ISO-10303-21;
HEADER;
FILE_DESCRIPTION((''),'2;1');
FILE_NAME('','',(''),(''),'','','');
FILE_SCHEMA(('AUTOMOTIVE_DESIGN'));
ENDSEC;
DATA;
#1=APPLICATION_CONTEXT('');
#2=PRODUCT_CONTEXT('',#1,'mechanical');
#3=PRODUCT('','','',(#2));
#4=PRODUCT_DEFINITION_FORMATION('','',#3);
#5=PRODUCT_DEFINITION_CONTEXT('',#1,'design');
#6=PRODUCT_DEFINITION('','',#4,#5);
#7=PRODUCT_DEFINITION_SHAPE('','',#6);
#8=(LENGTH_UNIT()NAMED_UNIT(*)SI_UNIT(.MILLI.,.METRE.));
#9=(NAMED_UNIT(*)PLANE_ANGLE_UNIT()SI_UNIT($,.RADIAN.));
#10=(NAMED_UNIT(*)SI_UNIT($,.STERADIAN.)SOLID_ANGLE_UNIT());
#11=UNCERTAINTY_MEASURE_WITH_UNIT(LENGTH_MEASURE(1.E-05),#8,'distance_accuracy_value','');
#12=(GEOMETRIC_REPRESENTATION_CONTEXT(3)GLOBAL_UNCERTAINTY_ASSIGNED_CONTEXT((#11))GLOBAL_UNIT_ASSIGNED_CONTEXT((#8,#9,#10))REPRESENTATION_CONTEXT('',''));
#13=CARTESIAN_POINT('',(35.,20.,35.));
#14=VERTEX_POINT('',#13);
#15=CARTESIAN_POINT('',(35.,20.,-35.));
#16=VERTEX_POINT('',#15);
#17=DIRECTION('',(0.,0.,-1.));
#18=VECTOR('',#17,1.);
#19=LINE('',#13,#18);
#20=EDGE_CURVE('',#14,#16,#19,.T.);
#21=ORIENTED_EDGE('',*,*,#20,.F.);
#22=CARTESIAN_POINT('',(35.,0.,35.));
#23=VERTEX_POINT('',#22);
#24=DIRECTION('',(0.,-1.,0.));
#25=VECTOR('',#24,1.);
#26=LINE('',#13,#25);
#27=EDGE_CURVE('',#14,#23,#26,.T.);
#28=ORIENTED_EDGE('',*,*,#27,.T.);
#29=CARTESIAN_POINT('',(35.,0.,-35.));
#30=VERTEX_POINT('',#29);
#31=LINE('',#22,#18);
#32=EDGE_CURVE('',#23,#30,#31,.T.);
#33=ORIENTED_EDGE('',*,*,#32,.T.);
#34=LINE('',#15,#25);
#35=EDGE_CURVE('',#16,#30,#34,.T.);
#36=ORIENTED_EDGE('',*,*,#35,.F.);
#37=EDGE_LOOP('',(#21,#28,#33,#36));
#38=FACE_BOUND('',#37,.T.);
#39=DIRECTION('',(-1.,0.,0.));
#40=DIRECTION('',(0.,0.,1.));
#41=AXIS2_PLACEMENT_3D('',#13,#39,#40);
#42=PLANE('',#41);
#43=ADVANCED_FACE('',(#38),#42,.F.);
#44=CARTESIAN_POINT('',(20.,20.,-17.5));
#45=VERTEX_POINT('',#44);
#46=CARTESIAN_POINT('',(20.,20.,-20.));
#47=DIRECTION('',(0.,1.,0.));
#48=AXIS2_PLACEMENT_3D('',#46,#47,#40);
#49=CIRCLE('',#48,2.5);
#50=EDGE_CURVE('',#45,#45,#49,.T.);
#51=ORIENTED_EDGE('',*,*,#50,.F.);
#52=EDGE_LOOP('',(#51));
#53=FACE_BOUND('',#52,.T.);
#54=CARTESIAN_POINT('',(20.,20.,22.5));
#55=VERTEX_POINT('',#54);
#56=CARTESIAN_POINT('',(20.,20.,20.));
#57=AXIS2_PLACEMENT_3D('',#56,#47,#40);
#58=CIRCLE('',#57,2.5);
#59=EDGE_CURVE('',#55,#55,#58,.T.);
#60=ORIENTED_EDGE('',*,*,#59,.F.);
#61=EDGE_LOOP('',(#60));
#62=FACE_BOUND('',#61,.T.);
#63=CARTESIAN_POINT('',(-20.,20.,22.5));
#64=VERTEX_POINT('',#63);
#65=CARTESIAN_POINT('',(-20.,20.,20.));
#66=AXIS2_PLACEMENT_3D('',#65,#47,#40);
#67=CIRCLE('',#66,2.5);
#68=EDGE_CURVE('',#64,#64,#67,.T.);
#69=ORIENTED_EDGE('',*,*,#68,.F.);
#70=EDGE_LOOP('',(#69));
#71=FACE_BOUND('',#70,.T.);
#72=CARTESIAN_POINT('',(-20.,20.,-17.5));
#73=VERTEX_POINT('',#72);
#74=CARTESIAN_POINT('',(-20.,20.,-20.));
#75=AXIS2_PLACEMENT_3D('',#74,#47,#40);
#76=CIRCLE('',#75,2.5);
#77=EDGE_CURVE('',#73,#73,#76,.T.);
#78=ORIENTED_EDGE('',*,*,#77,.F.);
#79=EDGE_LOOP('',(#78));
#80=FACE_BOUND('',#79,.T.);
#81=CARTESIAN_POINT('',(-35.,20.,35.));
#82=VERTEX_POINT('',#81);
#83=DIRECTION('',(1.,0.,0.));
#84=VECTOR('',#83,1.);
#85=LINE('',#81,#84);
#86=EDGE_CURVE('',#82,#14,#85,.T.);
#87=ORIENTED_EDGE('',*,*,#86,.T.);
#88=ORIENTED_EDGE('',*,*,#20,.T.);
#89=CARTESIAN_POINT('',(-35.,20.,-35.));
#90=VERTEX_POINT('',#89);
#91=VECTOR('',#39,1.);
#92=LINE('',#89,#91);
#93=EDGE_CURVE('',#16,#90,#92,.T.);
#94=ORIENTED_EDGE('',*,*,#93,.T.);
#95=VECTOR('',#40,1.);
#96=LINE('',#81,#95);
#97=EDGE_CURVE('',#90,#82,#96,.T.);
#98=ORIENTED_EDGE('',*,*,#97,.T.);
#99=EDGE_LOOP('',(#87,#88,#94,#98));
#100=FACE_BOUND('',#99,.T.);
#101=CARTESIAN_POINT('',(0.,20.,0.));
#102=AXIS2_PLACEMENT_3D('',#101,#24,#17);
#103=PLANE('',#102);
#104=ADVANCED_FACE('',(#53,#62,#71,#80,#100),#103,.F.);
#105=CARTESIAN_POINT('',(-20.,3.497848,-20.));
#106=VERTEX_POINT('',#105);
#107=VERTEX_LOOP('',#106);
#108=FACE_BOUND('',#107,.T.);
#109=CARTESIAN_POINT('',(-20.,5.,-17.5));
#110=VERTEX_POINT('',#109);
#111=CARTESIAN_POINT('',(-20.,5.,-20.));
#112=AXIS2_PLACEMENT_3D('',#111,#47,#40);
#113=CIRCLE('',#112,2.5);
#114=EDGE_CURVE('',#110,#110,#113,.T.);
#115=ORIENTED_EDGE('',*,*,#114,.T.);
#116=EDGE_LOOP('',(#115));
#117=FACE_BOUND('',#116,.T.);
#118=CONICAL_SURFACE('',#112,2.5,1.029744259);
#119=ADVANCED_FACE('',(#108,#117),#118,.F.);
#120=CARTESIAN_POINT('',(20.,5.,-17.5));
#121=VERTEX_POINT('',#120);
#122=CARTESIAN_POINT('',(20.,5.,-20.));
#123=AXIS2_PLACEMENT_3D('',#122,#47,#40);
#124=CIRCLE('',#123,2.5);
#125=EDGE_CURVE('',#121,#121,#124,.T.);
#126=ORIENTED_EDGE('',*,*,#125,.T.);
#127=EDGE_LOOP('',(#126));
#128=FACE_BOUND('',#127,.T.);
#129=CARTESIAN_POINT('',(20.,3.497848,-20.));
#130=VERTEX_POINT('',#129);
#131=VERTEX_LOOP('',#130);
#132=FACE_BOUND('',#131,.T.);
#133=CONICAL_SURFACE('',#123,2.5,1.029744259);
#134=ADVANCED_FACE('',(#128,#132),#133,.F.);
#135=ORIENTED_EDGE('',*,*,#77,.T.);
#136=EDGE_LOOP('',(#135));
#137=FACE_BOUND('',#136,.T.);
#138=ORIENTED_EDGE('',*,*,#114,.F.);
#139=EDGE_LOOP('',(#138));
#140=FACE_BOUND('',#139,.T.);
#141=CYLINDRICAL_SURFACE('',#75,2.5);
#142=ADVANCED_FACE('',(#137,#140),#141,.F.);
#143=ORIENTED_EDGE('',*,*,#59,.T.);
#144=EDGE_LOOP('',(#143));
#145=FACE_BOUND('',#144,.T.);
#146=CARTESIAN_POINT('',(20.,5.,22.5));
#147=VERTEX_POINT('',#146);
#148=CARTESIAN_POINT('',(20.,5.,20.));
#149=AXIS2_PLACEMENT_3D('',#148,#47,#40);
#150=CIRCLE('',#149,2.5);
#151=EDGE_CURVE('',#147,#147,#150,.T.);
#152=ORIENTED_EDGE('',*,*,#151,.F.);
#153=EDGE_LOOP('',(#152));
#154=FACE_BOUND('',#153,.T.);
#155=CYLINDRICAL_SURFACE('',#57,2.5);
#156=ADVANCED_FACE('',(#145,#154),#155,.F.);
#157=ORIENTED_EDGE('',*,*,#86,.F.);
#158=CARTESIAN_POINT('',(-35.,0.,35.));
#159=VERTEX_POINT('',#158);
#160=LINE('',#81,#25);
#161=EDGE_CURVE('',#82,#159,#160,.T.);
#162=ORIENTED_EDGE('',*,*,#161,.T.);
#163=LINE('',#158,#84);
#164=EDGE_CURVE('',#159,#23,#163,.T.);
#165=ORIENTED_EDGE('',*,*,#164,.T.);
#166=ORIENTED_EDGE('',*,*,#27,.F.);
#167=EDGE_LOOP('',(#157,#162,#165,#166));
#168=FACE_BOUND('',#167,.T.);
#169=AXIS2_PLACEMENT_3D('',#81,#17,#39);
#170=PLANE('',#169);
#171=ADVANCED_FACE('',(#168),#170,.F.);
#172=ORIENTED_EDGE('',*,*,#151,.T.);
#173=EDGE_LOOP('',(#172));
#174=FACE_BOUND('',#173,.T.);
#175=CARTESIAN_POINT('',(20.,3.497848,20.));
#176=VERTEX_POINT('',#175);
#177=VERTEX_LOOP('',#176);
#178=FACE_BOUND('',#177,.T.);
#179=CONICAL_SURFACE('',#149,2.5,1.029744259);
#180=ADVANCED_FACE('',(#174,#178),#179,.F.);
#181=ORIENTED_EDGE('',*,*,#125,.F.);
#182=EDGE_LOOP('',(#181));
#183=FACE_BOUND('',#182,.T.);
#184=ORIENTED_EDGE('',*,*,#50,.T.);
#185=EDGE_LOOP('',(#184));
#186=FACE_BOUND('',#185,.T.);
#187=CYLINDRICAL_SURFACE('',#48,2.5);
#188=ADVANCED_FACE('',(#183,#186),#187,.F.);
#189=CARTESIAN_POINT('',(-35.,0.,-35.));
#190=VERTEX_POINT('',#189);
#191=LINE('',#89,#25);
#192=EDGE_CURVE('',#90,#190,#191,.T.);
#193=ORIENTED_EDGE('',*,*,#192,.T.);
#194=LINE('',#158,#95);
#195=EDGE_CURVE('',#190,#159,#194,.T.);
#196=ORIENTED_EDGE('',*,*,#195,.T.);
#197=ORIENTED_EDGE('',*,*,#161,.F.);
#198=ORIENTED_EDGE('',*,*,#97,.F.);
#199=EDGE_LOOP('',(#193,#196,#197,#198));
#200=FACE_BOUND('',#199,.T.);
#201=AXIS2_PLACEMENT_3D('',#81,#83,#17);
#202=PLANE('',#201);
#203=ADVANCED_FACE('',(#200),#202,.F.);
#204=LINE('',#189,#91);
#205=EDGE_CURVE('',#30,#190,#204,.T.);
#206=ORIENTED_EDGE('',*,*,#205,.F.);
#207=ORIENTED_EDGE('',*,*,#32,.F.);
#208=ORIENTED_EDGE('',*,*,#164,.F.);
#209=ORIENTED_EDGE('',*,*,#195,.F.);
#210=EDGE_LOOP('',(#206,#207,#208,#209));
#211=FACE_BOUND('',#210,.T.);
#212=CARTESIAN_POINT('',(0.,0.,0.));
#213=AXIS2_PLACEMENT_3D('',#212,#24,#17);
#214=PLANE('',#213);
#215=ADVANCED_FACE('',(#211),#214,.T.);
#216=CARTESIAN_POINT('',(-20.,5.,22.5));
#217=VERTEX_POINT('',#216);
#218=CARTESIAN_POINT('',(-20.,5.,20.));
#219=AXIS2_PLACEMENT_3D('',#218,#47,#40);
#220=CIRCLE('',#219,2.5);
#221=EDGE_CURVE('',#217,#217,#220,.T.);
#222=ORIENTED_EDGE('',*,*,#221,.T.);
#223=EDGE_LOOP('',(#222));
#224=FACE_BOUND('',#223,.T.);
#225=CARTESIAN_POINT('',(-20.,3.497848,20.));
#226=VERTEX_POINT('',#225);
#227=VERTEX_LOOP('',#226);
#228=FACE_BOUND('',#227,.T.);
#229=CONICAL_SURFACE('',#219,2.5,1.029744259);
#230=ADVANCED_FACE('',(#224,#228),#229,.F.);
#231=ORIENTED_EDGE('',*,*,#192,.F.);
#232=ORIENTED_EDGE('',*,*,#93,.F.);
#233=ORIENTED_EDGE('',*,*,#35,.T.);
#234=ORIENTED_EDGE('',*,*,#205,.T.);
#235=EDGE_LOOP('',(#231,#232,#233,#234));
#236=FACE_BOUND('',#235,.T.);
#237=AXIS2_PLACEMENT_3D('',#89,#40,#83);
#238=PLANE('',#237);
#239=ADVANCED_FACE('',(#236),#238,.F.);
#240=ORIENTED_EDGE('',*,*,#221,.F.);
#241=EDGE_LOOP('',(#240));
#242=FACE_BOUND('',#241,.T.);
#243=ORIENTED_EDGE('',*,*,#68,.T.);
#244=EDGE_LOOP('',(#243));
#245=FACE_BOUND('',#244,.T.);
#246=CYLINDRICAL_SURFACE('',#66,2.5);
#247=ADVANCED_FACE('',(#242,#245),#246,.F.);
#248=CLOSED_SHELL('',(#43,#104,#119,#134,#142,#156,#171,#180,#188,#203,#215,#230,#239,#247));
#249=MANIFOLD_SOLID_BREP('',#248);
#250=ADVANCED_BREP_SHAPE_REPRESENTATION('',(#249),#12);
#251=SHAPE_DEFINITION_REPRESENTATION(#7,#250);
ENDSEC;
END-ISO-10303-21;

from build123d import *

# Parameters (mm, degrees)
SKETCH1_W             = 70
SKETCH1_H             = 70
BOSS_EXTRUDE1_DEPTH   = 20
M6_TAPPED_HOLE1_D     = 5
M6_TAPPED_HOLE1_DEPTH = 15
M6_TAPPED_HOLE1_TIP   = 1.502151548


with BuildPart() as part:
    # Sketch1 → Boss-Extrude1 (new body)
    with BuildSketch(Plane(origin=(0, 0, 0), x_dir=(1, 0, 0), z_dir=(0, 1, 0))):
        Rectangle(SKETCH1_W, SKETCH1_H)
    extrude(amount=BOSS_EXTRUDE1_DEPTH)

    # M6 Tapped Hole1
    with Locations(Plane(origin=(0, 20, 0), x_dir=(1, 0, 0), z_dir=(0, 1, 0))):
        with Locations((20, 20), (20, -20), (-20, -20), (-20, 20)):
            Hole(M6_TAPPED_HOLE1_D / 2, depth=M6_TAPPED_HOLE1_DEPTH)
            with Locations((0, 0, -(M6_TAPPED_HOLE1_DEPTH + M6_TAPPED_HOLE1_TIP / 2))):  # 118° drill point
                Cone(0, M6_TAPPED_HOLE1_D / 2, M6_TAPPED_HOLE1_TIP, mode=Mode.SUBTRACT)


solid = part.part
